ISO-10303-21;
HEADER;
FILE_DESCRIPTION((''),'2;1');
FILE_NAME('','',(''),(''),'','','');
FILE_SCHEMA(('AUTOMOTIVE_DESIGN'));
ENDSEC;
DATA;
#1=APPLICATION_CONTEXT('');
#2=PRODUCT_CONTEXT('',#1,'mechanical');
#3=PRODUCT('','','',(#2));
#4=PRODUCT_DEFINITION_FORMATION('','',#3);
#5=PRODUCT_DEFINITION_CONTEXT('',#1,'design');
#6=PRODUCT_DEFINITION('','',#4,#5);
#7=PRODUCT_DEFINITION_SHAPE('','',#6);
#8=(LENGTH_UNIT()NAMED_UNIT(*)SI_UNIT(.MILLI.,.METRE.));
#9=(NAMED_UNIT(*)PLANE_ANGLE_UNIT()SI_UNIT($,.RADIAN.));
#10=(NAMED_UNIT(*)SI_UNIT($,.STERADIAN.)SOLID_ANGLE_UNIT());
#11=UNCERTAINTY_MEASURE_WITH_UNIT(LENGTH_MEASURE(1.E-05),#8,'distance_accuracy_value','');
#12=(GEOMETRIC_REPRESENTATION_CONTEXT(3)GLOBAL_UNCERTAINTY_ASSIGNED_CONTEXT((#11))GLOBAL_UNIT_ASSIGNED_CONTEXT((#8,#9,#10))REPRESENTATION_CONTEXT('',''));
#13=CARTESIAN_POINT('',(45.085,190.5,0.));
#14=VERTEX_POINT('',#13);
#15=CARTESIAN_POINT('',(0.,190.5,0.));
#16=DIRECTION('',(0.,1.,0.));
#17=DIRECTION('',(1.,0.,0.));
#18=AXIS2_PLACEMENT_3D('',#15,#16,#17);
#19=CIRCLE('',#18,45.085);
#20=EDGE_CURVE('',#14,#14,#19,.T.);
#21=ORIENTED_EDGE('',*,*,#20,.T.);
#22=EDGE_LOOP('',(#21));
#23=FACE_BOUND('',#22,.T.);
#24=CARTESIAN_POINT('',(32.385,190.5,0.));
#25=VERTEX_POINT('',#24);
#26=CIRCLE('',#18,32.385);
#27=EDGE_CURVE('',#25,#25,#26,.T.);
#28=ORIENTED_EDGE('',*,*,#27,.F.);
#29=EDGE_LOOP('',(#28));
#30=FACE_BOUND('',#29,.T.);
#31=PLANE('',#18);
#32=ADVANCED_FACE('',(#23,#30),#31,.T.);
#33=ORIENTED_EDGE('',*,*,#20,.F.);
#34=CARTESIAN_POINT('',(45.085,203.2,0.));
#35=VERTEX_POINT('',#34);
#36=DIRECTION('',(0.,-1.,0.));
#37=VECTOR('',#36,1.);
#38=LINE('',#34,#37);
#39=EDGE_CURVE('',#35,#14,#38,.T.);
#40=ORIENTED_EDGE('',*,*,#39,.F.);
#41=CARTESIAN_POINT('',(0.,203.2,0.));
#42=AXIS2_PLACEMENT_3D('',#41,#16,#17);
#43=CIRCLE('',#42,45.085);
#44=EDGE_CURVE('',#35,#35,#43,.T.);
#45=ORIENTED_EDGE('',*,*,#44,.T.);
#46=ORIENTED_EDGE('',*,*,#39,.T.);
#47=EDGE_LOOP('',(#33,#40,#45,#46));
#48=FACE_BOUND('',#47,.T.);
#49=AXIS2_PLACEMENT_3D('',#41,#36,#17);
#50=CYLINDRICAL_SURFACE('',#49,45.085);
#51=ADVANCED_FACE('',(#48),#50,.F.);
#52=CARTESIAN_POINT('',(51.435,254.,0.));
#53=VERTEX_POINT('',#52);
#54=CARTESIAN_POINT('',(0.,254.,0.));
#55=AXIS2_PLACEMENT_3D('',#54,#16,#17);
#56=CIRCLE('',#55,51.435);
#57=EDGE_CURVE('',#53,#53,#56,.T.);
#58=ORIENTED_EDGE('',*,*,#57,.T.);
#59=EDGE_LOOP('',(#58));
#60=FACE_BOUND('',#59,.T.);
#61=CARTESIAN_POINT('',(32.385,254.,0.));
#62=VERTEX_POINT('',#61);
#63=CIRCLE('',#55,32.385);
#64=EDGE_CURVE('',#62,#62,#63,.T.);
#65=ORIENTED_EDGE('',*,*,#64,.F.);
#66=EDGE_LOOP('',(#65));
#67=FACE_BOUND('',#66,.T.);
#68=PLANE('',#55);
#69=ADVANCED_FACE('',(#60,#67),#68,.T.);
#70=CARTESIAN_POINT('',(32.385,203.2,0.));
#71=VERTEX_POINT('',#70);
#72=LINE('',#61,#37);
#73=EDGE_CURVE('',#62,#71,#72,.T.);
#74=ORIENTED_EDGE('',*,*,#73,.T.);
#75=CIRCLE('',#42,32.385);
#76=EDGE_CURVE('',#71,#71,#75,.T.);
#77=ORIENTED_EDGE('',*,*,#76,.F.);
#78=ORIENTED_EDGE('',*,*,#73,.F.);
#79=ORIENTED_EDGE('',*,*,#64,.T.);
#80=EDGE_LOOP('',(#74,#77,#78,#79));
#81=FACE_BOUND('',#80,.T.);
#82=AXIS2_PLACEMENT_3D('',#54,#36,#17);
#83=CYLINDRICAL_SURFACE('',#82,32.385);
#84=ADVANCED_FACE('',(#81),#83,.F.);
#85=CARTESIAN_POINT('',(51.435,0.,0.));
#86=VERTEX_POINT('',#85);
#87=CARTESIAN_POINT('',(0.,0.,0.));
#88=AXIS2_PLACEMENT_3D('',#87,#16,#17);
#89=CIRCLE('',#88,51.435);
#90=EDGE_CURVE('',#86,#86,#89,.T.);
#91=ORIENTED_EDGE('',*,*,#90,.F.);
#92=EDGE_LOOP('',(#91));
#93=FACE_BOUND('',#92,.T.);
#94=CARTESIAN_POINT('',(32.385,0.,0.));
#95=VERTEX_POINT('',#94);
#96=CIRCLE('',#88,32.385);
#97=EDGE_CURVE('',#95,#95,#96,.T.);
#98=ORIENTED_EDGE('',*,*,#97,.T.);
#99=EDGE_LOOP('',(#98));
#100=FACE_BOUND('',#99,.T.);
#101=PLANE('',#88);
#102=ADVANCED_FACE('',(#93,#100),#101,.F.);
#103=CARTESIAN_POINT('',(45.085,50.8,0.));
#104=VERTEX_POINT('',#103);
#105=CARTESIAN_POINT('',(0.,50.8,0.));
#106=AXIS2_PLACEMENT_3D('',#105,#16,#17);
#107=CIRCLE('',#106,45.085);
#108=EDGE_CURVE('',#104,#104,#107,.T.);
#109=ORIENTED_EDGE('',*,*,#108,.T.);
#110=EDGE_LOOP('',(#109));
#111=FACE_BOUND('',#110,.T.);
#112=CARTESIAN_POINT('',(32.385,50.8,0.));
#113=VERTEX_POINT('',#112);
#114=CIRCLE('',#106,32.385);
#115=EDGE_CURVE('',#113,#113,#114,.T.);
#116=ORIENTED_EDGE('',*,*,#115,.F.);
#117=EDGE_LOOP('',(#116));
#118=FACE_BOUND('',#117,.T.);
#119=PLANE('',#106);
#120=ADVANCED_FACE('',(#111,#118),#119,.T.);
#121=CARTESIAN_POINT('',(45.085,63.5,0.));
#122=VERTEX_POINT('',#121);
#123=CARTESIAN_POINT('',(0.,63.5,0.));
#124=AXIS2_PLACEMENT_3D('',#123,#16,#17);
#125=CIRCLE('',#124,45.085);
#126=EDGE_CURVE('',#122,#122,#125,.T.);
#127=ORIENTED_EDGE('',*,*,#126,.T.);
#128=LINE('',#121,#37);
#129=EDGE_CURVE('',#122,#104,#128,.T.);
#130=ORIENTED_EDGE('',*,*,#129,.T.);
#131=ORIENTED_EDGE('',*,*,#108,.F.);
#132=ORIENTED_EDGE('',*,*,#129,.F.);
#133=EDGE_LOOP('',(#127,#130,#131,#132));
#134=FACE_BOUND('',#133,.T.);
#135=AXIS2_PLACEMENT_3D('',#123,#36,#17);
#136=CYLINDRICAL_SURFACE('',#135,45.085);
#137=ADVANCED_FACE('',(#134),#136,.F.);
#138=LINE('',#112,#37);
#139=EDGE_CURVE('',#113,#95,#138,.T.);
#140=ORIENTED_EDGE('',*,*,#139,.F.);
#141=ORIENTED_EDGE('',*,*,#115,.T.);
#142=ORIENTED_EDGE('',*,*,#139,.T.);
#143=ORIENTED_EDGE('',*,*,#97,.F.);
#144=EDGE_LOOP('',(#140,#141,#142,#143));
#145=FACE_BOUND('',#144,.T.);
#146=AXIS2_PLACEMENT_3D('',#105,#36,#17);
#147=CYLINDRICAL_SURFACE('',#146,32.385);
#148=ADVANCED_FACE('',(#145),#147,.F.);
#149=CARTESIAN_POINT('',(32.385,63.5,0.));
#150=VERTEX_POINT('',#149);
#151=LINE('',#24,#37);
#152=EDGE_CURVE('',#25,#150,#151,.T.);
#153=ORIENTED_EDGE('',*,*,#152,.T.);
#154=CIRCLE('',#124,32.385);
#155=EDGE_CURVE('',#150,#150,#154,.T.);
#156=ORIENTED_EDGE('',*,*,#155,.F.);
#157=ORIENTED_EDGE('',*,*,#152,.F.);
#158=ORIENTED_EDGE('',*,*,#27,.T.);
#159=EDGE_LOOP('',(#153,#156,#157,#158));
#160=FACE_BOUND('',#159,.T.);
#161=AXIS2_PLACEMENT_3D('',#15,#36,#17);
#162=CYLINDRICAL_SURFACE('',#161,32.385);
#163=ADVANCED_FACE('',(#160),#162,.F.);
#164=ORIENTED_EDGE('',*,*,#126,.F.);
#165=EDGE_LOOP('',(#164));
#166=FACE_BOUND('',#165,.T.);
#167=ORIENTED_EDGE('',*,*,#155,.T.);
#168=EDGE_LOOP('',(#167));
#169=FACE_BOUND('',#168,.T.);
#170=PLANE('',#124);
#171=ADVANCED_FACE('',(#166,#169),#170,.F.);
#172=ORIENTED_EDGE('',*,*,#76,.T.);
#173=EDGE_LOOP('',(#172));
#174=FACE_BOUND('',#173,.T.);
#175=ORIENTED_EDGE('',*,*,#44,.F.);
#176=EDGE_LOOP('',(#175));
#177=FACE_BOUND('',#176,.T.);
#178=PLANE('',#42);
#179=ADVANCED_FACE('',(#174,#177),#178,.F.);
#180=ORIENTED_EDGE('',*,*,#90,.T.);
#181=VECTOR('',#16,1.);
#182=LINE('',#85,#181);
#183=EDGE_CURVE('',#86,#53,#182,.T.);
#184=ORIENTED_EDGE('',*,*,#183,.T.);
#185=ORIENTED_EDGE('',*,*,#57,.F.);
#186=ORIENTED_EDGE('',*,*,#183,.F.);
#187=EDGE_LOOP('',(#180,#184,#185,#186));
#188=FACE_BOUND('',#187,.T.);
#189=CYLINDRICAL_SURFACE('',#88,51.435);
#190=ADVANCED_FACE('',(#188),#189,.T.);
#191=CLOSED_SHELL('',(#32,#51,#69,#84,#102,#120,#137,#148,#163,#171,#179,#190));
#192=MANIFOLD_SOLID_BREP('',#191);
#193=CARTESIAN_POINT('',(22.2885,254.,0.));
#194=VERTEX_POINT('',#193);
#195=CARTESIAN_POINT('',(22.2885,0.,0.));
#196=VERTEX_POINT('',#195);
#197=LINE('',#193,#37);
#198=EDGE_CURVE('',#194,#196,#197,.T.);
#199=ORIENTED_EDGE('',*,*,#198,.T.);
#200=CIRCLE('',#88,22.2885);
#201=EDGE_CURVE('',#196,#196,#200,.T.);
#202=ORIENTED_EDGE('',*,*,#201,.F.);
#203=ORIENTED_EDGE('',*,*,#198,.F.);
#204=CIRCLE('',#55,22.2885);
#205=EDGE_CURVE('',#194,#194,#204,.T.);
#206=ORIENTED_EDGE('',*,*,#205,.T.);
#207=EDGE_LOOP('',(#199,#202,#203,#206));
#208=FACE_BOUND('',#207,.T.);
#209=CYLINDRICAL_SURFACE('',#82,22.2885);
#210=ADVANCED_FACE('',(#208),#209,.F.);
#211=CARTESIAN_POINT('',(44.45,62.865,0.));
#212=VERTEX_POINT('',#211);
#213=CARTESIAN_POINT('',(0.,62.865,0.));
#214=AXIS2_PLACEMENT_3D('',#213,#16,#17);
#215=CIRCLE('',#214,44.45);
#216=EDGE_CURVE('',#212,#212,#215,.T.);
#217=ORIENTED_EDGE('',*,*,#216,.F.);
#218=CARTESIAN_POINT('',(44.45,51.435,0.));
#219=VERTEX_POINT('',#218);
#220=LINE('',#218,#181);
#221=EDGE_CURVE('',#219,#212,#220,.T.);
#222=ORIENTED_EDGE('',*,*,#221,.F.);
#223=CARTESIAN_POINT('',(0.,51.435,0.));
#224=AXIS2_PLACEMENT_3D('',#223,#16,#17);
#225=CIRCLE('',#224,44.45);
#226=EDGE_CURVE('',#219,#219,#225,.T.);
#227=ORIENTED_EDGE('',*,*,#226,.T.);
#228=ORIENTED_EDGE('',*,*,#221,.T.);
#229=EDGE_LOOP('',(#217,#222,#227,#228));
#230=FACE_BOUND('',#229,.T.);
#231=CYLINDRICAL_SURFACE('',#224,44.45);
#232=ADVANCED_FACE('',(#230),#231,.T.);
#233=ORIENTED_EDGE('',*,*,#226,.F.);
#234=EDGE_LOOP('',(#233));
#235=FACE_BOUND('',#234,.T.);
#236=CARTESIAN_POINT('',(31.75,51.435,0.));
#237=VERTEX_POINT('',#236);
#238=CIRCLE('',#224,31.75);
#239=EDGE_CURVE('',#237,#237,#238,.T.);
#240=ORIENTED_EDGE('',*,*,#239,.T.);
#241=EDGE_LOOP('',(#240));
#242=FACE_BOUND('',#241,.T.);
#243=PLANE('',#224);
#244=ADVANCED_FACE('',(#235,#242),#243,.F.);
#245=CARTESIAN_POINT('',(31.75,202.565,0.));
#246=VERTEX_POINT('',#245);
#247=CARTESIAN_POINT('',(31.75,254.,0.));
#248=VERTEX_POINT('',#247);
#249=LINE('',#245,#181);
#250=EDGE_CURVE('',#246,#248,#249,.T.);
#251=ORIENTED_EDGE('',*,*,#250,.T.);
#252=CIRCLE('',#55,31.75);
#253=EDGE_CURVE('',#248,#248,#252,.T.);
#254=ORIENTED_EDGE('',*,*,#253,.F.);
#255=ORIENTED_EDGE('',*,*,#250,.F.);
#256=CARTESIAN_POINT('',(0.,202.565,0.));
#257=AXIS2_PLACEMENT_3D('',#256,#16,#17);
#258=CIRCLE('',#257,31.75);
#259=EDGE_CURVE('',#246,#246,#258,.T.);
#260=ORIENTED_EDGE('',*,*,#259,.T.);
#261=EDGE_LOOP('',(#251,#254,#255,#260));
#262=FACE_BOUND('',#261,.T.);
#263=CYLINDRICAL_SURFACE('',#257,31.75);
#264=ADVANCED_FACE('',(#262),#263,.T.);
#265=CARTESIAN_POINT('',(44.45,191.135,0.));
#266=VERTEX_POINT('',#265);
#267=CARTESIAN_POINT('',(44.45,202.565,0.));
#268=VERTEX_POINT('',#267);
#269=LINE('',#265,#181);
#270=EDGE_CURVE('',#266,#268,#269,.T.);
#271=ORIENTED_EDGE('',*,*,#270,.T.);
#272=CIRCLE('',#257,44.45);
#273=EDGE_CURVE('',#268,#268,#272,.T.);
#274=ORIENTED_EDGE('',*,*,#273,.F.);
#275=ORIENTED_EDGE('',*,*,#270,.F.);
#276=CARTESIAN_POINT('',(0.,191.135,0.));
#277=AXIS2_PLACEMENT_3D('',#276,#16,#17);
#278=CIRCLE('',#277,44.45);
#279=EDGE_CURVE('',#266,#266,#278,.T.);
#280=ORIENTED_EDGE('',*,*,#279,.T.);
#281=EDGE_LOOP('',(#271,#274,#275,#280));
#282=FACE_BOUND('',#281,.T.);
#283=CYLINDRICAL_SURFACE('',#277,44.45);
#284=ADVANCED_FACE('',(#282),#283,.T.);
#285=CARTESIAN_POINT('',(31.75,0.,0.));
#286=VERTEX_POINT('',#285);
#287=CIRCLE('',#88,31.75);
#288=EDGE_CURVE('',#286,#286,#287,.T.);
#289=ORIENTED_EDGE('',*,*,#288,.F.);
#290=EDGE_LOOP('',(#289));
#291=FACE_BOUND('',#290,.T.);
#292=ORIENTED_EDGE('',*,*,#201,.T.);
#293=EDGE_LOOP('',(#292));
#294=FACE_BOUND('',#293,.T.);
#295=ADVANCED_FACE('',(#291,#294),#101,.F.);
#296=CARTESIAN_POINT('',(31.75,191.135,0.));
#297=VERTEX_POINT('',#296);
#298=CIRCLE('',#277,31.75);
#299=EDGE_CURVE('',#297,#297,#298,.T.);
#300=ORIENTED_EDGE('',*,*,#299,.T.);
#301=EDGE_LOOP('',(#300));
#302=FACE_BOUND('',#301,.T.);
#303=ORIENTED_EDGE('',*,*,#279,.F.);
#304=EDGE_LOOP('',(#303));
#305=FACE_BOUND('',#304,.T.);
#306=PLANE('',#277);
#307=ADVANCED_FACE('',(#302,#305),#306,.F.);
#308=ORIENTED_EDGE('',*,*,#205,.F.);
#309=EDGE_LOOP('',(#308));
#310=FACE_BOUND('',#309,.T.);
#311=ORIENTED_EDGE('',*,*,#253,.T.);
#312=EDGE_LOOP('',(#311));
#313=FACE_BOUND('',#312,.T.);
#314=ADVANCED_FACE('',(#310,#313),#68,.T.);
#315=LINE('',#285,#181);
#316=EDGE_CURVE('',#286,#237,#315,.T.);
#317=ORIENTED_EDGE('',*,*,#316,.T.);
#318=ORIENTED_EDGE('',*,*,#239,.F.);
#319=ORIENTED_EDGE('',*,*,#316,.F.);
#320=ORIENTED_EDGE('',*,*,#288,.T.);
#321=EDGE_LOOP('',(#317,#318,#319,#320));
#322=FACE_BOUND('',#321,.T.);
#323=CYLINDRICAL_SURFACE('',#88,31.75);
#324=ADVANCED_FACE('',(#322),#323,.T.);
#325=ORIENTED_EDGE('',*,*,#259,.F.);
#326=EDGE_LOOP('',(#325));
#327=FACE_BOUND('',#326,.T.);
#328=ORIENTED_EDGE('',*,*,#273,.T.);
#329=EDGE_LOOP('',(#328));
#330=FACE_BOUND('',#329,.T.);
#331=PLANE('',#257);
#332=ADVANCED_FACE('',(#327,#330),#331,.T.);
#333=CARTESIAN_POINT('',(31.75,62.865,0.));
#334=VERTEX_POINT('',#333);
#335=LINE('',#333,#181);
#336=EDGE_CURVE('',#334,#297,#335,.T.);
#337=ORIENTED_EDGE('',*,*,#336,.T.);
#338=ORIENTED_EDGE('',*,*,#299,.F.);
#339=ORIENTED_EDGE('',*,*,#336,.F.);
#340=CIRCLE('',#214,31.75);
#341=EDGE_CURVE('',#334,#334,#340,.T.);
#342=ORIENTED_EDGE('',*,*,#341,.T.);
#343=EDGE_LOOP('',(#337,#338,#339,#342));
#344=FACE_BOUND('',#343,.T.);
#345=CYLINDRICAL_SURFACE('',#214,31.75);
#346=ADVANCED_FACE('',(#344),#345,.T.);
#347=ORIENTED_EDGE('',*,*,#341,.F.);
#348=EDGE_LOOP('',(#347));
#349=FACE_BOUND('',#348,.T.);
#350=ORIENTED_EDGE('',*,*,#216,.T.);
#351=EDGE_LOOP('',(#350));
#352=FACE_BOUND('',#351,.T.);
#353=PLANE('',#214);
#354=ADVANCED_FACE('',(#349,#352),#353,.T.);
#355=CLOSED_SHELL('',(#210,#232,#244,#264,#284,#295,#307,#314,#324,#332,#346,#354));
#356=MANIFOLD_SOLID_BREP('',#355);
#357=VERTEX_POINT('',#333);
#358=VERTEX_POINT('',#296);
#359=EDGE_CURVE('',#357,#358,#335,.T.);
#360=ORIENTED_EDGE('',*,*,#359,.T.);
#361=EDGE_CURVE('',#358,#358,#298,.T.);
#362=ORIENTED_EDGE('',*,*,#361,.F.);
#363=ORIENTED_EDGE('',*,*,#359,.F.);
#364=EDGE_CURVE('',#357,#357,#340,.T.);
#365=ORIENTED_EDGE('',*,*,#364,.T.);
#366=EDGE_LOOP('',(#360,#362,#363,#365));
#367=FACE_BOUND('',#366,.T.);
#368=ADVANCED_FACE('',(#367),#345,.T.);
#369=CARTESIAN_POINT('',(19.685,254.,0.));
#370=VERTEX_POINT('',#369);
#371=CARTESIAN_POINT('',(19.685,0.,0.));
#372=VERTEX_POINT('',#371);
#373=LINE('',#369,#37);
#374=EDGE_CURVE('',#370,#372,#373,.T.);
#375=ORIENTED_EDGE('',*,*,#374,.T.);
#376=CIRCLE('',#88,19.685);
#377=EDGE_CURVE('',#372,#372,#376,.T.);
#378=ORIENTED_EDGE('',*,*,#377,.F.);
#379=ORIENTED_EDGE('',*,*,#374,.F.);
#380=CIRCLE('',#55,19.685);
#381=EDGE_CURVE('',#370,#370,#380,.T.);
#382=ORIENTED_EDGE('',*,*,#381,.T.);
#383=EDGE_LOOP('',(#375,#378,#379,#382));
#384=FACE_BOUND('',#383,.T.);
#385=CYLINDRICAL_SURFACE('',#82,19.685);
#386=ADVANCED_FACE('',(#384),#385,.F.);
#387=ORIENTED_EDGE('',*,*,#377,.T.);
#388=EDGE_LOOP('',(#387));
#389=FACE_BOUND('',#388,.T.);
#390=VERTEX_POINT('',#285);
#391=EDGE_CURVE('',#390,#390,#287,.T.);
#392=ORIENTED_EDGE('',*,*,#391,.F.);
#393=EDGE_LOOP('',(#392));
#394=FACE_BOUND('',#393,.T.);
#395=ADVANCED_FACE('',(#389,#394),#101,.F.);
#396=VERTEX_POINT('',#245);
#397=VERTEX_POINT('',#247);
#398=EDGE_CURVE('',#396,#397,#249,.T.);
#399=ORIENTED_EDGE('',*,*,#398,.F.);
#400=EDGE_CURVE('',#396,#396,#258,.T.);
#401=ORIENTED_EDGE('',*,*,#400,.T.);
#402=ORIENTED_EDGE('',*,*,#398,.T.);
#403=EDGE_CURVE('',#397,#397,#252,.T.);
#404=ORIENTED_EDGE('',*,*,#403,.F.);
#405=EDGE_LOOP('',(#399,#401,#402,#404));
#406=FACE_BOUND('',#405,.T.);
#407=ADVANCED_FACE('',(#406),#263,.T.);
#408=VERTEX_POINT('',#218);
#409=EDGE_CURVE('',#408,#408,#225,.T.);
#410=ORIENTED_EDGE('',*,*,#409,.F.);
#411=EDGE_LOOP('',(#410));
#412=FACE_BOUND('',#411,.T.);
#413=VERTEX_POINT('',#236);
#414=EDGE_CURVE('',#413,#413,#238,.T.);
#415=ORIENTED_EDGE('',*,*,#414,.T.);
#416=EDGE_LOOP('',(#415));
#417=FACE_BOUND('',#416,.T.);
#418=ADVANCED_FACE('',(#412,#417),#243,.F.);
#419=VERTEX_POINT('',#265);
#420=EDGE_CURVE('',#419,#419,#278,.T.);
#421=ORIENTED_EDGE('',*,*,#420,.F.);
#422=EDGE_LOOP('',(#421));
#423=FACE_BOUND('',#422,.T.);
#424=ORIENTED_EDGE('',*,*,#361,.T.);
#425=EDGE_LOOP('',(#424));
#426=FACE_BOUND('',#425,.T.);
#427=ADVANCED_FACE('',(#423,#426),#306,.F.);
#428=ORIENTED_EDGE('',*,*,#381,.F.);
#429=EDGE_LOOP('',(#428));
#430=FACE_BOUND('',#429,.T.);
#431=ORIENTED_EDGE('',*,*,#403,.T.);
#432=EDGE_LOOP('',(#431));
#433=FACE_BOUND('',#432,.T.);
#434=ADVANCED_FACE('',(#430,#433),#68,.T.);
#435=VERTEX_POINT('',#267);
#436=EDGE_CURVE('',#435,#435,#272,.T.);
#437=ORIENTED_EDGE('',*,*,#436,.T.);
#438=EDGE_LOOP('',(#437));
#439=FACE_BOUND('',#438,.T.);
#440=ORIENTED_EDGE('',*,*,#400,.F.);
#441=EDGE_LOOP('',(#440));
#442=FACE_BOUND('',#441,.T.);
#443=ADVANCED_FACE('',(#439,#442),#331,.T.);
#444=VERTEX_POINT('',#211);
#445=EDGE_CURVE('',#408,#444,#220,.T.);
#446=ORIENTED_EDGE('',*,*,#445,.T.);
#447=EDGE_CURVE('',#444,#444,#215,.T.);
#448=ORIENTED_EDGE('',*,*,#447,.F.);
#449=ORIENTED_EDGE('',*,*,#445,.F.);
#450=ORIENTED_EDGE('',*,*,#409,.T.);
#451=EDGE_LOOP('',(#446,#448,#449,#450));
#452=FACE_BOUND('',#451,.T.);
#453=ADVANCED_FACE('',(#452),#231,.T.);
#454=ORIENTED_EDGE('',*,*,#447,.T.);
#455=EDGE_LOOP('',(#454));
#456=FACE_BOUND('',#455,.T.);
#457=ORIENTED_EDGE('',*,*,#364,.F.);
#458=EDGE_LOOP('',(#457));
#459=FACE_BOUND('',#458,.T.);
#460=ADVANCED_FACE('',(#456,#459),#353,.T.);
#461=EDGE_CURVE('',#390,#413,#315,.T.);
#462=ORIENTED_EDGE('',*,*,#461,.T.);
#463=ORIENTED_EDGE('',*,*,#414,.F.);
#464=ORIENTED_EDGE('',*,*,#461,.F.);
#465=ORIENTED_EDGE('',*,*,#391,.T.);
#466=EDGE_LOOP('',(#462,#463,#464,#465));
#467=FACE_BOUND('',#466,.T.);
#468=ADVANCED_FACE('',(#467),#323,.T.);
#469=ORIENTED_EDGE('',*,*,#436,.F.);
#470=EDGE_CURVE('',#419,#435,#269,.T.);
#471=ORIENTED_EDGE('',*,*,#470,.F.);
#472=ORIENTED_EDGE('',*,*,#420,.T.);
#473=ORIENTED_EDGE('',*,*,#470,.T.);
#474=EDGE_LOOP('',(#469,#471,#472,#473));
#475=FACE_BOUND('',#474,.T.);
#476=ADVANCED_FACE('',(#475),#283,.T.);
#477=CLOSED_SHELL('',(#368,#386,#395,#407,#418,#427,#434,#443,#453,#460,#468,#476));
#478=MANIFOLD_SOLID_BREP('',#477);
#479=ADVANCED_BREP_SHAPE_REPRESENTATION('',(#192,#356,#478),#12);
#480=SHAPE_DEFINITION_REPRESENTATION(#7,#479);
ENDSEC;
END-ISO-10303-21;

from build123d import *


with BuildPart() as f1:
    # F0 (on Top) → F1 (revolve)
    with BuildSketch(Plane.XY):
        Polygon((51.435, 254), (32.385, 254), (32.385, 203.2), (45.085, 203.2), (45.085, 190.5), (32.385, 190.5), (32.385, 63.5), (45.085, 63.5), (45.085, 50.8), (32.385, 50.8), (32.385, 0), (51.435, 0), align=None)
    revolve(axis=Axis((0, 127, 0), (0, 1, 0)))


with BuildPart() as f3:
    # F2 (on Top) → F3 (revolve)
    with BuildSketch(Plane.XY):
        Polygon((31.75, 254), (22.2885, 254), (22.2885, 127), (22.2885, 0), (31.75, 0), (31.75, 51.435), (44.45, 51.435), (44.45, 62.865), (31.75, 62.865), (31.75, 127), (31.75, 191.135), (44.45, 191.135), (44.45, 202.565), (31.75, 202.565), align=None)
    revolve(axis=Axis((0, 127, 0), (0, 1, 0)))


with BuildPart() as f5:
    # F4 (on Top) → F5 (revolve)
    with BuildSketch(Plane.XY):
        Polygon((31.75, 254), (19.685, 254), (19.685, 127), (19.685, 0), (31.75, 0), (31.75, 51.435), (44.45, 51.435), (44.45, 62.865), (31.75, 62.865), (31.75, 127), (31.75, 191.135), (44.45, 191.135), (44.45, 202.565), (31.75, 202.565), align=None)
    revolve(axis=Axis((0, 127, 0), (0, 1, 0)))


solid = Compound([f1.part, f3.part, f5.part])
